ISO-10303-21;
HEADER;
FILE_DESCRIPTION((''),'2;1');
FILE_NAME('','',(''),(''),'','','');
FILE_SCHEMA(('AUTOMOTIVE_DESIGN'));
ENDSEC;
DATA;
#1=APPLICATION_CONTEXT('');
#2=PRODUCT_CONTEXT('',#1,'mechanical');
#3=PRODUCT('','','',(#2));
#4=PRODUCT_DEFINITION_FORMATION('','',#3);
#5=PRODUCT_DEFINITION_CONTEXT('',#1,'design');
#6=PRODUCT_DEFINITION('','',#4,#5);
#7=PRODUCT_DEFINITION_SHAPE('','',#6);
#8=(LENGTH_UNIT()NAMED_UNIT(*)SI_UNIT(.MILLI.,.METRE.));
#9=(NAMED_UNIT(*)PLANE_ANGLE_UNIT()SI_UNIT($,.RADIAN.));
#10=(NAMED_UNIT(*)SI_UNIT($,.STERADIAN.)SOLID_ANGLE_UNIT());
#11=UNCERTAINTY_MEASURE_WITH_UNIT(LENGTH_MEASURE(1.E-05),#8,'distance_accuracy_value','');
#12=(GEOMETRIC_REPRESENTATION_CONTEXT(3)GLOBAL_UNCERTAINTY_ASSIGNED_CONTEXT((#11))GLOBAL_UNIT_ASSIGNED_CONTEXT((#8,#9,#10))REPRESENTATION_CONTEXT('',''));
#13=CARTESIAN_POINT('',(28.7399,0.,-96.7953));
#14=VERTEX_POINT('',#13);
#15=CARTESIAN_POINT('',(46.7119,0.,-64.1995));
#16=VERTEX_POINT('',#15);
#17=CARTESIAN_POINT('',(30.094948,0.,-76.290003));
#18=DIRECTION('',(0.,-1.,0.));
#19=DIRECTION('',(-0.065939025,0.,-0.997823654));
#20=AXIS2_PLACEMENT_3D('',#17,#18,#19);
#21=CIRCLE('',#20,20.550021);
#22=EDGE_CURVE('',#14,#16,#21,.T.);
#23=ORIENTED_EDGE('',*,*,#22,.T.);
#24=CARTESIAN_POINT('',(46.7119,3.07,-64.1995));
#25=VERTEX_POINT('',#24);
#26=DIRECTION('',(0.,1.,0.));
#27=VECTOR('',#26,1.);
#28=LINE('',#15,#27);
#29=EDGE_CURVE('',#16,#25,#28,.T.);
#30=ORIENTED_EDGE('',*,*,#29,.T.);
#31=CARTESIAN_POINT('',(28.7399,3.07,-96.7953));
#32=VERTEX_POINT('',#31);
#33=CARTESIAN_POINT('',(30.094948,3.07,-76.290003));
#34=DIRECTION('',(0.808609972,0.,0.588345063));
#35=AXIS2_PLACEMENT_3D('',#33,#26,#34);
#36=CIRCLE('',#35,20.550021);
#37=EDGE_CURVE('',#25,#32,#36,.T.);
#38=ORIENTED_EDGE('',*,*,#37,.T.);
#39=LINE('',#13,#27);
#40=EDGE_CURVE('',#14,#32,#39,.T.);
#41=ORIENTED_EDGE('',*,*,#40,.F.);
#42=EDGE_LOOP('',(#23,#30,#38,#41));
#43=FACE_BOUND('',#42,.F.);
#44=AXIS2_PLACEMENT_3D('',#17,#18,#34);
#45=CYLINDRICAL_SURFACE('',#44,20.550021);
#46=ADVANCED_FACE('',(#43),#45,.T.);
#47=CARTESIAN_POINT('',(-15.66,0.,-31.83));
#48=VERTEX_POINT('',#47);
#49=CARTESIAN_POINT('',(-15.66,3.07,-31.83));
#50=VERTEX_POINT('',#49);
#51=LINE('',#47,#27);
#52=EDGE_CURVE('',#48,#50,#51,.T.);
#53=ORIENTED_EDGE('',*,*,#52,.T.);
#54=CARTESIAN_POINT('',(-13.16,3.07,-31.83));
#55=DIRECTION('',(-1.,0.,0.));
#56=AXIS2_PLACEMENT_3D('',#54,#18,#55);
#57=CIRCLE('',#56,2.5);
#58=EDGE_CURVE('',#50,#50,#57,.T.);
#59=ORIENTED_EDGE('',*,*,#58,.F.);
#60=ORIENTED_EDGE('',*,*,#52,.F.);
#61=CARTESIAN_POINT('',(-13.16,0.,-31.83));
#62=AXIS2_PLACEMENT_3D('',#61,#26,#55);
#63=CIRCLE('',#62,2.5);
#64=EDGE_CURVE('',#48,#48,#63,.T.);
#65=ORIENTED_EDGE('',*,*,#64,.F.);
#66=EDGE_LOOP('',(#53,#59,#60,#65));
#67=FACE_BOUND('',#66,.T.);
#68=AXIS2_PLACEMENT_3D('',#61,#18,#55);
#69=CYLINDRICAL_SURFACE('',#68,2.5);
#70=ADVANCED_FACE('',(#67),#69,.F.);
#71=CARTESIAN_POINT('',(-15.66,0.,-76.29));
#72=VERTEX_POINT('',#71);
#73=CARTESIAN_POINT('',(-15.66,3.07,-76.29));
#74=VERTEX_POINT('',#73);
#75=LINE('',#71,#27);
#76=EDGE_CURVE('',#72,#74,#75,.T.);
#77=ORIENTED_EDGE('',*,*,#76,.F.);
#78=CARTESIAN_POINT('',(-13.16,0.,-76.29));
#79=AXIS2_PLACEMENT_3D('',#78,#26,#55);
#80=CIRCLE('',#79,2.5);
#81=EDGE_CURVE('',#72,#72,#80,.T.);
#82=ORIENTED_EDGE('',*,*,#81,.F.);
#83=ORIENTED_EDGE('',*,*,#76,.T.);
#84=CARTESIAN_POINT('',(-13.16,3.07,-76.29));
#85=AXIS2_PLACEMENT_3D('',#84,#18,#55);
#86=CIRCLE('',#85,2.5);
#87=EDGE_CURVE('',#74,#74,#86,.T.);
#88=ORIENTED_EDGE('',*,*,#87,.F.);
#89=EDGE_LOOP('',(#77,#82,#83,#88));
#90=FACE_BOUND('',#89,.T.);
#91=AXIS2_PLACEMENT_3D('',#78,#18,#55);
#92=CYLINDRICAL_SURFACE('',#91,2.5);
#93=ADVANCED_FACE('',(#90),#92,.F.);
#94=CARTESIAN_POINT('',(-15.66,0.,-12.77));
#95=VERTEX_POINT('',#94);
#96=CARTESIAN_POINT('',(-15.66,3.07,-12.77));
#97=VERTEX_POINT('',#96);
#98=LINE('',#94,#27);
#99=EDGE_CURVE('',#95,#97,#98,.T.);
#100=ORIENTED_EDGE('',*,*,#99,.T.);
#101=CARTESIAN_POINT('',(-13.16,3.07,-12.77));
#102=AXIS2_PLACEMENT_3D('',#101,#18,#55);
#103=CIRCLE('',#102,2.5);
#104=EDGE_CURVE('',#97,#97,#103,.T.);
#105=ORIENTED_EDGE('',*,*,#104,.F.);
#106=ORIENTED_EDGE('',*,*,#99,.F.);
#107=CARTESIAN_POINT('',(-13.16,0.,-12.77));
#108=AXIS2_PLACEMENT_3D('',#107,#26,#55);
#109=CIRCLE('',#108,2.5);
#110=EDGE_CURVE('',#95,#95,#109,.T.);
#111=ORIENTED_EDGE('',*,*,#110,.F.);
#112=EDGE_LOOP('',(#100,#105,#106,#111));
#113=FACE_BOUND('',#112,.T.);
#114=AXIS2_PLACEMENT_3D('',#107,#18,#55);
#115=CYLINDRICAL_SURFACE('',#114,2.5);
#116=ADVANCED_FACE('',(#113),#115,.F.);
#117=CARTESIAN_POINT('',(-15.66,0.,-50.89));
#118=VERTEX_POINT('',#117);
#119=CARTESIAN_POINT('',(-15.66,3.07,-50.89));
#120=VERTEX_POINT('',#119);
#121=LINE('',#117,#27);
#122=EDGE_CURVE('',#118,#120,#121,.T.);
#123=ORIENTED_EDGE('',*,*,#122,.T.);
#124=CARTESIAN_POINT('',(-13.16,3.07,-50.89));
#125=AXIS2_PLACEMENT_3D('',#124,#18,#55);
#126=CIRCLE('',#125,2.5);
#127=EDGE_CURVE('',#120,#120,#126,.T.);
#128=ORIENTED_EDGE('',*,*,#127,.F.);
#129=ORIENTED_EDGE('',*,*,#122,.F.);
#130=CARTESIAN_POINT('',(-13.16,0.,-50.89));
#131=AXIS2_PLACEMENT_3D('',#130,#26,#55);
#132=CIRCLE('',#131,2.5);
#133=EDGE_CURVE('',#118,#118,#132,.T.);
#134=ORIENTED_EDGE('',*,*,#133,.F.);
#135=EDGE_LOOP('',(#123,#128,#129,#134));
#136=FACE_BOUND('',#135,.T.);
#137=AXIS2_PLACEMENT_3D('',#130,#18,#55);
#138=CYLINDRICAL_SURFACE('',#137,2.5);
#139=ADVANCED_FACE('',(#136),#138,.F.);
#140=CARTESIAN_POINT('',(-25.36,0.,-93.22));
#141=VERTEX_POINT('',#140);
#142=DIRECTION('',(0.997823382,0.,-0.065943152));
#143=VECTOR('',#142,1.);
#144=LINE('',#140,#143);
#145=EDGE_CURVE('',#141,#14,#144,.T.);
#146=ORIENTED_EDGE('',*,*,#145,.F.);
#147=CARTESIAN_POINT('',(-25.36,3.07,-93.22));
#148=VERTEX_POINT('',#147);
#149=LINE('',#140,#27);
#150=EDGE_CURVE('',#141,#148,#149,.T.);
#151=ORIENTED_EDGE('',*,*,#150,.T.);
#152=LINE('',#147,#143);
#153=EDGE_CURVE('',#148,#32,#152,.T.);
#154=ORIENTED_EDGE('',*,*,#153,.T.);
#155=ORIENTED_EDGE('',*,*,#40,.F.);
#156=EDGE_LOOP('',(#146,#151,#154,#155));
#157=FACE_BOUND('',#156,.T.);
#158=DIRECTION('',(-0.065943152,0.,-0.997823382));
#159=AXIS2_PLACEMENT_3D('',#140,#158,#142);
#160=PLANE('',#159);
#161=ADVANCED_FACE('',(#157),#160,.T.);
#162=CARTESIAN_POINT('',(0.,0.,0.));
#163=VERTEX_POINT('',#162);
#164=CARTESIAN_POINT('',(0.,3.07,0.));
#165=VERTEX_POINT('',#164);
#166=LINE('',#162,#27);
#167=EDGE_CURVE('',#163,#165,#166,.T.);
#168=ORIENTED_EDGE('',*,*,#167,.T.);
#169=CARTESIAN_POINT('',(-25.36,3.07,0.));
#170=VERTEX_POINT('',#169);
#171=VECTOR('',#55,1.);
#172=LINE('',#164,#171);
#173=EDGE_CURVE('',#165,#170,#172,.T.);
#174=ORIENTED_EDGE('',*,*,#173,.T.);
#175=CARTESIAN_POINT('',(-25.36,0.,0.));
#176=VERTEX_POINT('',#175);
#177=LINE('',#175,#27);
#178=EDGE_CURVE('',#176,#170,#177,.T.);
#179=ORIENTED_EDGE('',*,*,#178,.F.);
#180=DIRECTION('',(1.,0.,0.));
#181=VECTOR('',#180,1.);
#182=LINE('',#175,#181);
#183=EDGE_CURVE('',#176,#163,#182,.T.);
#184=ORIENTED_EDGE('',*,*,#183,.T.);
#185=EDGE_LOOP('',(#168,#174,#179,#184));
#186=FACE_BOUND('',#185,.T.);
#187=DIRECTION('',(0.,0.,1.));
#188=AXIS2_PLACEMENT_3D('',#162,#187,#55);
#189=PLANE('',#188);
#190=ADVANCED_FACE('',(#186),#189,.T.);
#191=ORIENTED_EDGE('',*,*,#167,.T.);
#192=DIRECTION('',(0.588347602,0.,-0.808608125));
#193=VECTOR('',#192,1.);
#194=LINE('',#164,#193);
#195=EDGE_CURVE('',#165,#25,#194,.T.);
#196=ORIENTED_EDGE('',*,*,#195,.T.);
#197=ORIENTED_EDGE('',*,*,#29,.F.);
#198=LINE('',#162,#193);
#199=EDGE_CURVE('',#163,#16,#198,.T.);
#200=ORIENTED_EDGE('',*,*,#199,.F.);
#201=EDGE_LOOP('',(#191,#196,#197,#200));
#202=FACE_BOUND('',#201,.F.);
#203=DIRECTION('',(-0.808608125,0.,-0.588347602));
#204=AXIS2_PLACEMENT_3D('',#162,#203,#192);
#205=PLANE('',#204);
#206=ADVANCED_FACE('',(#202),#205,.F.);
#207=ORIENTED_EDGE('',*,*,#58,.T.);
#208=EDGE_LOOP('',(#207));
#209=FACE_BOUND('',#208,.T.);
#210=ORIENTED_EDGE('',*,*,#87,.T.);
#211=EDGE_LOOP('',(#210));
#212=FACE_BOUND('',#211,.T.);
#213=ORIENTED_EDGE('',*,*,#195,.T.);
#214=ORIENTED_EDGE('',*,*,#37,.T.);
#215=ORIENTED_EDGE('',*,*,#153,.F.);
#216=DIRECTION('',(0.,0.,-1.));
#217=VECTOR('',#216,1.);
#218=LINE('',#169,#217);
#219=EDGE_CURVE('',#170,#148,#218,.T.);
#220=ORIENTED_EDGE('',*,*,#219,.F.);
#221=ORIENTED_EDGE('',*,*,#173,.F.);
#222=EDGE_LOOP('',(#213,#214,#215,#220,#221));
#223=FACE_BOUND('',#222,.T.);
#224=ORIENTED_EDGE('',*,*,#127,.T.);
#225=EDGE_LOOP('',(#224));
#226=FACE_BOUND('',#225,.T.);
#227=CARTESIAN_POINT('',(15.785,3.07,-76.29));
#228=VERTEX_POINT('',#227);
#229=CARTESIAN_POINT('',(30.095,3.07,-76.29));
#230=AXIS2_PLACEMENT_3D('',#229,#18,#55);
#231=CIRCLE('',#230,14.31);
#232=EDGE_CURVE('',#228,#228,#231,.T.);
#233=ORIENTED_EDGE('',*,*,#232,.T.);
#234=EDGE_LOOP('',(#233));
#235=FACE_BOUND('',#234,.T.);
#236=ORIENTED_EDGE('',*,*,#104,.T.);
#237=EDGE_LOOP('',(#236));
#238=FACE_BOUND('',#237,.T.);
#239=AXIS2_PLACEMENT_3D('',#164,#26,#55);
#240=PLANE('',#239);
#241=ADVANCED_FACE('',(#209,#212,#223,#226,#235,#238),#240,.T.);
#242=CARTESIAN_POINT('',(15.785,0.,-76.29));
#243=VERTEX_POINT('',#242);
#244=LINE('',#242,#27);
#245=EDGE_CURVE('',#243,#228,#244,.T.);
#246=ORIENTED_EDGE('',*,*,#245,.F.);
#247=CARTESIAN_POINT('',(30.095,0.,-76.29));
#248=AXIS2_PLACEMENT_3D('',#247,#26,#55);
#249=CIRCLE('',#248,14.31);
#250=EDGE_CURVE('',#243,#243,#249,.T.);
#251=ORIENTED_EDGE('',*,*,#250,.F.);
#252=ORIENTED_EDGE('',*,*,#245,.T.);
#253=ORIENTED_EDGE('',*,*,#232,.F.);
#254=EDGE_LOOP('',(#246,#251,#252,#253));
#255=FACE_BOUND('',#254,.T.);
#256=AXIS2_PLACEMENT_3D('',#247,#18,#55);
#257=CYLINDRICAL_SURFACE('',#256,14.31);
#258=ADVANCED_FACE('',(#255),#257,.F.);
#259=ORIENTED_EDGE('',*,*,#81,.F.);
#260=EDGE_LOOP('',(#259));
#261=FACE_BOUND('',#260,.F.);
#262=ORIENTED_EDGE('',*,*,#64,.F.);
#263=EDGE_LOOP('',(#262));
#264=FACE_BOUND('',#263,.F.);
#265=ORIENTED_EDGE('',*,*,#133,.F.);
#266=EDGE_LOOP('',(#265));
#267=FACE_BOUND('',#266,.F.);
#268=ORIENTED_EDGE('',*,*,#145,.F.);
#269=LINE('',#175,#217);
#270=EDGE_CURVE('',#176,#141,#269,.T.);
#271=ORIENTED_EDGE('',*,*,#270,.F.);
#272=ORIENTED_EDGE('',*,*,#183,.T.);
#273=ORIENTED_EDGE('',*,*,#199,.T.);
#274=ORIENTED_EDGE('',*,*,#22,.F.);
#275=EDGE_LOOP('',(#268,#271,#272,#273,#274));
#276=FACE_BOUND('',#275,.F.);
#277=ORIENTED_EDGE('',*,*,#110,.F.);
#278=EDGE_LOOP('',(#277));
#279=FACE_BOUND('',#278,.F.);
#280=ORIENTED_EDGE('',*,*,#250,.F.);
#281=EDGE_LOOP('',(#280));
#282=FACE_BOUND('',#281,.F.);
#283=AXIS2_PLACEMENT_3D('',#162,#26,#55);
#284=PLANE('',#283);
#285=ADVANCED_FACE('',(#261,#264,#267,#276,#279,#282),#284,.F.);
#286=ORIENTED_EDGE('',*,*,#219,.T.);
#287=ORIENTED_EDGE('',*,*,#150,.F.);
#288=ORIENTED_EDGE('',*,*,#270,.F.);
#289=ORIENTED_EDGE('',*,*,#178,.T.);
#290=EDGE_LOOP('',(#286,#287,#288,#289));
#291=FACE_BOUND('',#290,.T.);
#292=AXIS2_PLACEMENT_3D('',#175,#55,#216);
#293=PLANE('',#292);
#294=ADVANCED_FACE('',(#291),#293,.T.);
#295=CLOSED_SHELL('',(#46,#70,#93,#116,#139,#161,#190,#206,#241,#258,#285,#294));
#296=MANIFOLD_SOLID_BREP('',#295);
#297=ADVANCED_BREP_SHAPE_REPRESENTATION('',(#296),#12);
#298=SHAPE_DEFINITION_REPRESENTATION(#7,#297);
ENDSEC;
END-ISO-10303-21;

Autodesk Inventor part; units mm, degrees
ref_plane "YZ Plane" through (0, 0, 0) normal (1, 0, 0) x (0, 1, 0)
ref_plane "XZ Plane" through (0, 0, 0) normal (0, 1, 0) x (-1, 0, 0)
ref_plane "XY Plane" through (0, 0, 0) normal (0, 0, 1) x (1, 0, 0)
sketch "Sketch1" plane through (0, 0, 0) normal (0, 1, 0) x (-1, 0, 0)
  line L0 (0, 0) -> (25.36, 0)
  line L1 (25.36, 0) -> (25.36, -93.22)
  line L2 (25.36, 0) -> (13.16, 0)
  line L3 (13.16, 0) -> (13.16, -10.27)
  line L4 (13.16, -10.27) -> (13.16, -12.77)
  circle A0 centre (13.16, -12.77) radius 2.5
  line L5 (13.16, -12.77) -> (13.16, -15.27)
  line L6 (13.16, -15.27) -> (13.16, -29.33)
  line L7 (13.16, -29.33) -> (13.16, -31.83)
  circle A1 centre (13.16, -31.83) radius 2.5
  line L8 (13.16, -31.83) -> (13.16, -34.33)
  line L9 (13.16, -34.33) -> (13.16, -48.39)
  line L10 (13.16, -48.39) -> (13.16, -50.89)
  circle A2 centre (13.16, -50.89) radius 2.5
  line L11 (13.16, -50.89) -> (13.16, -53.39)
  line L12 (13.16, -53.39) -> (13.16, -73.79)
  line L13 (13.16, -73.79) -> (13.16, -76.29)
  circle A3 centre (13.16, -76.29) radius 2.5
  line L14 (13.16, -76.29) -> (10.66, -76.29)
  line L15 (10.66, -76.29) -> (-15.82, -76.29)
  line L16 (-15.82, -76.29) -> (-30.095, -76.29)
  circle A4 centre (-30.095, -76.29) radius 14.31
  line L17 (-30.095, -76.29) -> (-30.095, -90.6)
  line L18 (-30.095, -90.6) -> (-30.095, -96.84)
  arc A5 (-46.7119, -64.1995) -> (-28.7399, -96.7953) centre (-30.095, -76.29) ccw
  line L19 (25.36, -93.22) -> (-28.7399, -96.7953)
  line L20 (0, 0) -> (-46.7119, -64.1995)
  dimension "d25" = 28.62
  dimension "d1" = 25.36
  dimension "d2" = 93.22
  dimension "d3" = 12.2
  dimension "d4" = 10.27
  dimension "d5" = 2.5
  dimension "d10" = 14.06
  dimension "d11" = 2.5
  dimension "d12" = 14.06
  dimension "d13" = 2.5
  dimension "d14" = 20.4
  dimension "d15" = 2.5
  dimension "d16" = 26.48
  dimension "d17" = 14.275
  dimension "d26" = 6.24
extrude "Extrusion2" add sketch "Sketch1" along normal blind 3.07 contours L0 L3 A0 L6 A1 L9 A2 L12 A3 L15 A4 L18 A5 L20 | L0 L1 L19 A5 L18 A4 L15 A3 L12 A2 L9 A1 L6 A0 L3
properties part number "Bracket"
